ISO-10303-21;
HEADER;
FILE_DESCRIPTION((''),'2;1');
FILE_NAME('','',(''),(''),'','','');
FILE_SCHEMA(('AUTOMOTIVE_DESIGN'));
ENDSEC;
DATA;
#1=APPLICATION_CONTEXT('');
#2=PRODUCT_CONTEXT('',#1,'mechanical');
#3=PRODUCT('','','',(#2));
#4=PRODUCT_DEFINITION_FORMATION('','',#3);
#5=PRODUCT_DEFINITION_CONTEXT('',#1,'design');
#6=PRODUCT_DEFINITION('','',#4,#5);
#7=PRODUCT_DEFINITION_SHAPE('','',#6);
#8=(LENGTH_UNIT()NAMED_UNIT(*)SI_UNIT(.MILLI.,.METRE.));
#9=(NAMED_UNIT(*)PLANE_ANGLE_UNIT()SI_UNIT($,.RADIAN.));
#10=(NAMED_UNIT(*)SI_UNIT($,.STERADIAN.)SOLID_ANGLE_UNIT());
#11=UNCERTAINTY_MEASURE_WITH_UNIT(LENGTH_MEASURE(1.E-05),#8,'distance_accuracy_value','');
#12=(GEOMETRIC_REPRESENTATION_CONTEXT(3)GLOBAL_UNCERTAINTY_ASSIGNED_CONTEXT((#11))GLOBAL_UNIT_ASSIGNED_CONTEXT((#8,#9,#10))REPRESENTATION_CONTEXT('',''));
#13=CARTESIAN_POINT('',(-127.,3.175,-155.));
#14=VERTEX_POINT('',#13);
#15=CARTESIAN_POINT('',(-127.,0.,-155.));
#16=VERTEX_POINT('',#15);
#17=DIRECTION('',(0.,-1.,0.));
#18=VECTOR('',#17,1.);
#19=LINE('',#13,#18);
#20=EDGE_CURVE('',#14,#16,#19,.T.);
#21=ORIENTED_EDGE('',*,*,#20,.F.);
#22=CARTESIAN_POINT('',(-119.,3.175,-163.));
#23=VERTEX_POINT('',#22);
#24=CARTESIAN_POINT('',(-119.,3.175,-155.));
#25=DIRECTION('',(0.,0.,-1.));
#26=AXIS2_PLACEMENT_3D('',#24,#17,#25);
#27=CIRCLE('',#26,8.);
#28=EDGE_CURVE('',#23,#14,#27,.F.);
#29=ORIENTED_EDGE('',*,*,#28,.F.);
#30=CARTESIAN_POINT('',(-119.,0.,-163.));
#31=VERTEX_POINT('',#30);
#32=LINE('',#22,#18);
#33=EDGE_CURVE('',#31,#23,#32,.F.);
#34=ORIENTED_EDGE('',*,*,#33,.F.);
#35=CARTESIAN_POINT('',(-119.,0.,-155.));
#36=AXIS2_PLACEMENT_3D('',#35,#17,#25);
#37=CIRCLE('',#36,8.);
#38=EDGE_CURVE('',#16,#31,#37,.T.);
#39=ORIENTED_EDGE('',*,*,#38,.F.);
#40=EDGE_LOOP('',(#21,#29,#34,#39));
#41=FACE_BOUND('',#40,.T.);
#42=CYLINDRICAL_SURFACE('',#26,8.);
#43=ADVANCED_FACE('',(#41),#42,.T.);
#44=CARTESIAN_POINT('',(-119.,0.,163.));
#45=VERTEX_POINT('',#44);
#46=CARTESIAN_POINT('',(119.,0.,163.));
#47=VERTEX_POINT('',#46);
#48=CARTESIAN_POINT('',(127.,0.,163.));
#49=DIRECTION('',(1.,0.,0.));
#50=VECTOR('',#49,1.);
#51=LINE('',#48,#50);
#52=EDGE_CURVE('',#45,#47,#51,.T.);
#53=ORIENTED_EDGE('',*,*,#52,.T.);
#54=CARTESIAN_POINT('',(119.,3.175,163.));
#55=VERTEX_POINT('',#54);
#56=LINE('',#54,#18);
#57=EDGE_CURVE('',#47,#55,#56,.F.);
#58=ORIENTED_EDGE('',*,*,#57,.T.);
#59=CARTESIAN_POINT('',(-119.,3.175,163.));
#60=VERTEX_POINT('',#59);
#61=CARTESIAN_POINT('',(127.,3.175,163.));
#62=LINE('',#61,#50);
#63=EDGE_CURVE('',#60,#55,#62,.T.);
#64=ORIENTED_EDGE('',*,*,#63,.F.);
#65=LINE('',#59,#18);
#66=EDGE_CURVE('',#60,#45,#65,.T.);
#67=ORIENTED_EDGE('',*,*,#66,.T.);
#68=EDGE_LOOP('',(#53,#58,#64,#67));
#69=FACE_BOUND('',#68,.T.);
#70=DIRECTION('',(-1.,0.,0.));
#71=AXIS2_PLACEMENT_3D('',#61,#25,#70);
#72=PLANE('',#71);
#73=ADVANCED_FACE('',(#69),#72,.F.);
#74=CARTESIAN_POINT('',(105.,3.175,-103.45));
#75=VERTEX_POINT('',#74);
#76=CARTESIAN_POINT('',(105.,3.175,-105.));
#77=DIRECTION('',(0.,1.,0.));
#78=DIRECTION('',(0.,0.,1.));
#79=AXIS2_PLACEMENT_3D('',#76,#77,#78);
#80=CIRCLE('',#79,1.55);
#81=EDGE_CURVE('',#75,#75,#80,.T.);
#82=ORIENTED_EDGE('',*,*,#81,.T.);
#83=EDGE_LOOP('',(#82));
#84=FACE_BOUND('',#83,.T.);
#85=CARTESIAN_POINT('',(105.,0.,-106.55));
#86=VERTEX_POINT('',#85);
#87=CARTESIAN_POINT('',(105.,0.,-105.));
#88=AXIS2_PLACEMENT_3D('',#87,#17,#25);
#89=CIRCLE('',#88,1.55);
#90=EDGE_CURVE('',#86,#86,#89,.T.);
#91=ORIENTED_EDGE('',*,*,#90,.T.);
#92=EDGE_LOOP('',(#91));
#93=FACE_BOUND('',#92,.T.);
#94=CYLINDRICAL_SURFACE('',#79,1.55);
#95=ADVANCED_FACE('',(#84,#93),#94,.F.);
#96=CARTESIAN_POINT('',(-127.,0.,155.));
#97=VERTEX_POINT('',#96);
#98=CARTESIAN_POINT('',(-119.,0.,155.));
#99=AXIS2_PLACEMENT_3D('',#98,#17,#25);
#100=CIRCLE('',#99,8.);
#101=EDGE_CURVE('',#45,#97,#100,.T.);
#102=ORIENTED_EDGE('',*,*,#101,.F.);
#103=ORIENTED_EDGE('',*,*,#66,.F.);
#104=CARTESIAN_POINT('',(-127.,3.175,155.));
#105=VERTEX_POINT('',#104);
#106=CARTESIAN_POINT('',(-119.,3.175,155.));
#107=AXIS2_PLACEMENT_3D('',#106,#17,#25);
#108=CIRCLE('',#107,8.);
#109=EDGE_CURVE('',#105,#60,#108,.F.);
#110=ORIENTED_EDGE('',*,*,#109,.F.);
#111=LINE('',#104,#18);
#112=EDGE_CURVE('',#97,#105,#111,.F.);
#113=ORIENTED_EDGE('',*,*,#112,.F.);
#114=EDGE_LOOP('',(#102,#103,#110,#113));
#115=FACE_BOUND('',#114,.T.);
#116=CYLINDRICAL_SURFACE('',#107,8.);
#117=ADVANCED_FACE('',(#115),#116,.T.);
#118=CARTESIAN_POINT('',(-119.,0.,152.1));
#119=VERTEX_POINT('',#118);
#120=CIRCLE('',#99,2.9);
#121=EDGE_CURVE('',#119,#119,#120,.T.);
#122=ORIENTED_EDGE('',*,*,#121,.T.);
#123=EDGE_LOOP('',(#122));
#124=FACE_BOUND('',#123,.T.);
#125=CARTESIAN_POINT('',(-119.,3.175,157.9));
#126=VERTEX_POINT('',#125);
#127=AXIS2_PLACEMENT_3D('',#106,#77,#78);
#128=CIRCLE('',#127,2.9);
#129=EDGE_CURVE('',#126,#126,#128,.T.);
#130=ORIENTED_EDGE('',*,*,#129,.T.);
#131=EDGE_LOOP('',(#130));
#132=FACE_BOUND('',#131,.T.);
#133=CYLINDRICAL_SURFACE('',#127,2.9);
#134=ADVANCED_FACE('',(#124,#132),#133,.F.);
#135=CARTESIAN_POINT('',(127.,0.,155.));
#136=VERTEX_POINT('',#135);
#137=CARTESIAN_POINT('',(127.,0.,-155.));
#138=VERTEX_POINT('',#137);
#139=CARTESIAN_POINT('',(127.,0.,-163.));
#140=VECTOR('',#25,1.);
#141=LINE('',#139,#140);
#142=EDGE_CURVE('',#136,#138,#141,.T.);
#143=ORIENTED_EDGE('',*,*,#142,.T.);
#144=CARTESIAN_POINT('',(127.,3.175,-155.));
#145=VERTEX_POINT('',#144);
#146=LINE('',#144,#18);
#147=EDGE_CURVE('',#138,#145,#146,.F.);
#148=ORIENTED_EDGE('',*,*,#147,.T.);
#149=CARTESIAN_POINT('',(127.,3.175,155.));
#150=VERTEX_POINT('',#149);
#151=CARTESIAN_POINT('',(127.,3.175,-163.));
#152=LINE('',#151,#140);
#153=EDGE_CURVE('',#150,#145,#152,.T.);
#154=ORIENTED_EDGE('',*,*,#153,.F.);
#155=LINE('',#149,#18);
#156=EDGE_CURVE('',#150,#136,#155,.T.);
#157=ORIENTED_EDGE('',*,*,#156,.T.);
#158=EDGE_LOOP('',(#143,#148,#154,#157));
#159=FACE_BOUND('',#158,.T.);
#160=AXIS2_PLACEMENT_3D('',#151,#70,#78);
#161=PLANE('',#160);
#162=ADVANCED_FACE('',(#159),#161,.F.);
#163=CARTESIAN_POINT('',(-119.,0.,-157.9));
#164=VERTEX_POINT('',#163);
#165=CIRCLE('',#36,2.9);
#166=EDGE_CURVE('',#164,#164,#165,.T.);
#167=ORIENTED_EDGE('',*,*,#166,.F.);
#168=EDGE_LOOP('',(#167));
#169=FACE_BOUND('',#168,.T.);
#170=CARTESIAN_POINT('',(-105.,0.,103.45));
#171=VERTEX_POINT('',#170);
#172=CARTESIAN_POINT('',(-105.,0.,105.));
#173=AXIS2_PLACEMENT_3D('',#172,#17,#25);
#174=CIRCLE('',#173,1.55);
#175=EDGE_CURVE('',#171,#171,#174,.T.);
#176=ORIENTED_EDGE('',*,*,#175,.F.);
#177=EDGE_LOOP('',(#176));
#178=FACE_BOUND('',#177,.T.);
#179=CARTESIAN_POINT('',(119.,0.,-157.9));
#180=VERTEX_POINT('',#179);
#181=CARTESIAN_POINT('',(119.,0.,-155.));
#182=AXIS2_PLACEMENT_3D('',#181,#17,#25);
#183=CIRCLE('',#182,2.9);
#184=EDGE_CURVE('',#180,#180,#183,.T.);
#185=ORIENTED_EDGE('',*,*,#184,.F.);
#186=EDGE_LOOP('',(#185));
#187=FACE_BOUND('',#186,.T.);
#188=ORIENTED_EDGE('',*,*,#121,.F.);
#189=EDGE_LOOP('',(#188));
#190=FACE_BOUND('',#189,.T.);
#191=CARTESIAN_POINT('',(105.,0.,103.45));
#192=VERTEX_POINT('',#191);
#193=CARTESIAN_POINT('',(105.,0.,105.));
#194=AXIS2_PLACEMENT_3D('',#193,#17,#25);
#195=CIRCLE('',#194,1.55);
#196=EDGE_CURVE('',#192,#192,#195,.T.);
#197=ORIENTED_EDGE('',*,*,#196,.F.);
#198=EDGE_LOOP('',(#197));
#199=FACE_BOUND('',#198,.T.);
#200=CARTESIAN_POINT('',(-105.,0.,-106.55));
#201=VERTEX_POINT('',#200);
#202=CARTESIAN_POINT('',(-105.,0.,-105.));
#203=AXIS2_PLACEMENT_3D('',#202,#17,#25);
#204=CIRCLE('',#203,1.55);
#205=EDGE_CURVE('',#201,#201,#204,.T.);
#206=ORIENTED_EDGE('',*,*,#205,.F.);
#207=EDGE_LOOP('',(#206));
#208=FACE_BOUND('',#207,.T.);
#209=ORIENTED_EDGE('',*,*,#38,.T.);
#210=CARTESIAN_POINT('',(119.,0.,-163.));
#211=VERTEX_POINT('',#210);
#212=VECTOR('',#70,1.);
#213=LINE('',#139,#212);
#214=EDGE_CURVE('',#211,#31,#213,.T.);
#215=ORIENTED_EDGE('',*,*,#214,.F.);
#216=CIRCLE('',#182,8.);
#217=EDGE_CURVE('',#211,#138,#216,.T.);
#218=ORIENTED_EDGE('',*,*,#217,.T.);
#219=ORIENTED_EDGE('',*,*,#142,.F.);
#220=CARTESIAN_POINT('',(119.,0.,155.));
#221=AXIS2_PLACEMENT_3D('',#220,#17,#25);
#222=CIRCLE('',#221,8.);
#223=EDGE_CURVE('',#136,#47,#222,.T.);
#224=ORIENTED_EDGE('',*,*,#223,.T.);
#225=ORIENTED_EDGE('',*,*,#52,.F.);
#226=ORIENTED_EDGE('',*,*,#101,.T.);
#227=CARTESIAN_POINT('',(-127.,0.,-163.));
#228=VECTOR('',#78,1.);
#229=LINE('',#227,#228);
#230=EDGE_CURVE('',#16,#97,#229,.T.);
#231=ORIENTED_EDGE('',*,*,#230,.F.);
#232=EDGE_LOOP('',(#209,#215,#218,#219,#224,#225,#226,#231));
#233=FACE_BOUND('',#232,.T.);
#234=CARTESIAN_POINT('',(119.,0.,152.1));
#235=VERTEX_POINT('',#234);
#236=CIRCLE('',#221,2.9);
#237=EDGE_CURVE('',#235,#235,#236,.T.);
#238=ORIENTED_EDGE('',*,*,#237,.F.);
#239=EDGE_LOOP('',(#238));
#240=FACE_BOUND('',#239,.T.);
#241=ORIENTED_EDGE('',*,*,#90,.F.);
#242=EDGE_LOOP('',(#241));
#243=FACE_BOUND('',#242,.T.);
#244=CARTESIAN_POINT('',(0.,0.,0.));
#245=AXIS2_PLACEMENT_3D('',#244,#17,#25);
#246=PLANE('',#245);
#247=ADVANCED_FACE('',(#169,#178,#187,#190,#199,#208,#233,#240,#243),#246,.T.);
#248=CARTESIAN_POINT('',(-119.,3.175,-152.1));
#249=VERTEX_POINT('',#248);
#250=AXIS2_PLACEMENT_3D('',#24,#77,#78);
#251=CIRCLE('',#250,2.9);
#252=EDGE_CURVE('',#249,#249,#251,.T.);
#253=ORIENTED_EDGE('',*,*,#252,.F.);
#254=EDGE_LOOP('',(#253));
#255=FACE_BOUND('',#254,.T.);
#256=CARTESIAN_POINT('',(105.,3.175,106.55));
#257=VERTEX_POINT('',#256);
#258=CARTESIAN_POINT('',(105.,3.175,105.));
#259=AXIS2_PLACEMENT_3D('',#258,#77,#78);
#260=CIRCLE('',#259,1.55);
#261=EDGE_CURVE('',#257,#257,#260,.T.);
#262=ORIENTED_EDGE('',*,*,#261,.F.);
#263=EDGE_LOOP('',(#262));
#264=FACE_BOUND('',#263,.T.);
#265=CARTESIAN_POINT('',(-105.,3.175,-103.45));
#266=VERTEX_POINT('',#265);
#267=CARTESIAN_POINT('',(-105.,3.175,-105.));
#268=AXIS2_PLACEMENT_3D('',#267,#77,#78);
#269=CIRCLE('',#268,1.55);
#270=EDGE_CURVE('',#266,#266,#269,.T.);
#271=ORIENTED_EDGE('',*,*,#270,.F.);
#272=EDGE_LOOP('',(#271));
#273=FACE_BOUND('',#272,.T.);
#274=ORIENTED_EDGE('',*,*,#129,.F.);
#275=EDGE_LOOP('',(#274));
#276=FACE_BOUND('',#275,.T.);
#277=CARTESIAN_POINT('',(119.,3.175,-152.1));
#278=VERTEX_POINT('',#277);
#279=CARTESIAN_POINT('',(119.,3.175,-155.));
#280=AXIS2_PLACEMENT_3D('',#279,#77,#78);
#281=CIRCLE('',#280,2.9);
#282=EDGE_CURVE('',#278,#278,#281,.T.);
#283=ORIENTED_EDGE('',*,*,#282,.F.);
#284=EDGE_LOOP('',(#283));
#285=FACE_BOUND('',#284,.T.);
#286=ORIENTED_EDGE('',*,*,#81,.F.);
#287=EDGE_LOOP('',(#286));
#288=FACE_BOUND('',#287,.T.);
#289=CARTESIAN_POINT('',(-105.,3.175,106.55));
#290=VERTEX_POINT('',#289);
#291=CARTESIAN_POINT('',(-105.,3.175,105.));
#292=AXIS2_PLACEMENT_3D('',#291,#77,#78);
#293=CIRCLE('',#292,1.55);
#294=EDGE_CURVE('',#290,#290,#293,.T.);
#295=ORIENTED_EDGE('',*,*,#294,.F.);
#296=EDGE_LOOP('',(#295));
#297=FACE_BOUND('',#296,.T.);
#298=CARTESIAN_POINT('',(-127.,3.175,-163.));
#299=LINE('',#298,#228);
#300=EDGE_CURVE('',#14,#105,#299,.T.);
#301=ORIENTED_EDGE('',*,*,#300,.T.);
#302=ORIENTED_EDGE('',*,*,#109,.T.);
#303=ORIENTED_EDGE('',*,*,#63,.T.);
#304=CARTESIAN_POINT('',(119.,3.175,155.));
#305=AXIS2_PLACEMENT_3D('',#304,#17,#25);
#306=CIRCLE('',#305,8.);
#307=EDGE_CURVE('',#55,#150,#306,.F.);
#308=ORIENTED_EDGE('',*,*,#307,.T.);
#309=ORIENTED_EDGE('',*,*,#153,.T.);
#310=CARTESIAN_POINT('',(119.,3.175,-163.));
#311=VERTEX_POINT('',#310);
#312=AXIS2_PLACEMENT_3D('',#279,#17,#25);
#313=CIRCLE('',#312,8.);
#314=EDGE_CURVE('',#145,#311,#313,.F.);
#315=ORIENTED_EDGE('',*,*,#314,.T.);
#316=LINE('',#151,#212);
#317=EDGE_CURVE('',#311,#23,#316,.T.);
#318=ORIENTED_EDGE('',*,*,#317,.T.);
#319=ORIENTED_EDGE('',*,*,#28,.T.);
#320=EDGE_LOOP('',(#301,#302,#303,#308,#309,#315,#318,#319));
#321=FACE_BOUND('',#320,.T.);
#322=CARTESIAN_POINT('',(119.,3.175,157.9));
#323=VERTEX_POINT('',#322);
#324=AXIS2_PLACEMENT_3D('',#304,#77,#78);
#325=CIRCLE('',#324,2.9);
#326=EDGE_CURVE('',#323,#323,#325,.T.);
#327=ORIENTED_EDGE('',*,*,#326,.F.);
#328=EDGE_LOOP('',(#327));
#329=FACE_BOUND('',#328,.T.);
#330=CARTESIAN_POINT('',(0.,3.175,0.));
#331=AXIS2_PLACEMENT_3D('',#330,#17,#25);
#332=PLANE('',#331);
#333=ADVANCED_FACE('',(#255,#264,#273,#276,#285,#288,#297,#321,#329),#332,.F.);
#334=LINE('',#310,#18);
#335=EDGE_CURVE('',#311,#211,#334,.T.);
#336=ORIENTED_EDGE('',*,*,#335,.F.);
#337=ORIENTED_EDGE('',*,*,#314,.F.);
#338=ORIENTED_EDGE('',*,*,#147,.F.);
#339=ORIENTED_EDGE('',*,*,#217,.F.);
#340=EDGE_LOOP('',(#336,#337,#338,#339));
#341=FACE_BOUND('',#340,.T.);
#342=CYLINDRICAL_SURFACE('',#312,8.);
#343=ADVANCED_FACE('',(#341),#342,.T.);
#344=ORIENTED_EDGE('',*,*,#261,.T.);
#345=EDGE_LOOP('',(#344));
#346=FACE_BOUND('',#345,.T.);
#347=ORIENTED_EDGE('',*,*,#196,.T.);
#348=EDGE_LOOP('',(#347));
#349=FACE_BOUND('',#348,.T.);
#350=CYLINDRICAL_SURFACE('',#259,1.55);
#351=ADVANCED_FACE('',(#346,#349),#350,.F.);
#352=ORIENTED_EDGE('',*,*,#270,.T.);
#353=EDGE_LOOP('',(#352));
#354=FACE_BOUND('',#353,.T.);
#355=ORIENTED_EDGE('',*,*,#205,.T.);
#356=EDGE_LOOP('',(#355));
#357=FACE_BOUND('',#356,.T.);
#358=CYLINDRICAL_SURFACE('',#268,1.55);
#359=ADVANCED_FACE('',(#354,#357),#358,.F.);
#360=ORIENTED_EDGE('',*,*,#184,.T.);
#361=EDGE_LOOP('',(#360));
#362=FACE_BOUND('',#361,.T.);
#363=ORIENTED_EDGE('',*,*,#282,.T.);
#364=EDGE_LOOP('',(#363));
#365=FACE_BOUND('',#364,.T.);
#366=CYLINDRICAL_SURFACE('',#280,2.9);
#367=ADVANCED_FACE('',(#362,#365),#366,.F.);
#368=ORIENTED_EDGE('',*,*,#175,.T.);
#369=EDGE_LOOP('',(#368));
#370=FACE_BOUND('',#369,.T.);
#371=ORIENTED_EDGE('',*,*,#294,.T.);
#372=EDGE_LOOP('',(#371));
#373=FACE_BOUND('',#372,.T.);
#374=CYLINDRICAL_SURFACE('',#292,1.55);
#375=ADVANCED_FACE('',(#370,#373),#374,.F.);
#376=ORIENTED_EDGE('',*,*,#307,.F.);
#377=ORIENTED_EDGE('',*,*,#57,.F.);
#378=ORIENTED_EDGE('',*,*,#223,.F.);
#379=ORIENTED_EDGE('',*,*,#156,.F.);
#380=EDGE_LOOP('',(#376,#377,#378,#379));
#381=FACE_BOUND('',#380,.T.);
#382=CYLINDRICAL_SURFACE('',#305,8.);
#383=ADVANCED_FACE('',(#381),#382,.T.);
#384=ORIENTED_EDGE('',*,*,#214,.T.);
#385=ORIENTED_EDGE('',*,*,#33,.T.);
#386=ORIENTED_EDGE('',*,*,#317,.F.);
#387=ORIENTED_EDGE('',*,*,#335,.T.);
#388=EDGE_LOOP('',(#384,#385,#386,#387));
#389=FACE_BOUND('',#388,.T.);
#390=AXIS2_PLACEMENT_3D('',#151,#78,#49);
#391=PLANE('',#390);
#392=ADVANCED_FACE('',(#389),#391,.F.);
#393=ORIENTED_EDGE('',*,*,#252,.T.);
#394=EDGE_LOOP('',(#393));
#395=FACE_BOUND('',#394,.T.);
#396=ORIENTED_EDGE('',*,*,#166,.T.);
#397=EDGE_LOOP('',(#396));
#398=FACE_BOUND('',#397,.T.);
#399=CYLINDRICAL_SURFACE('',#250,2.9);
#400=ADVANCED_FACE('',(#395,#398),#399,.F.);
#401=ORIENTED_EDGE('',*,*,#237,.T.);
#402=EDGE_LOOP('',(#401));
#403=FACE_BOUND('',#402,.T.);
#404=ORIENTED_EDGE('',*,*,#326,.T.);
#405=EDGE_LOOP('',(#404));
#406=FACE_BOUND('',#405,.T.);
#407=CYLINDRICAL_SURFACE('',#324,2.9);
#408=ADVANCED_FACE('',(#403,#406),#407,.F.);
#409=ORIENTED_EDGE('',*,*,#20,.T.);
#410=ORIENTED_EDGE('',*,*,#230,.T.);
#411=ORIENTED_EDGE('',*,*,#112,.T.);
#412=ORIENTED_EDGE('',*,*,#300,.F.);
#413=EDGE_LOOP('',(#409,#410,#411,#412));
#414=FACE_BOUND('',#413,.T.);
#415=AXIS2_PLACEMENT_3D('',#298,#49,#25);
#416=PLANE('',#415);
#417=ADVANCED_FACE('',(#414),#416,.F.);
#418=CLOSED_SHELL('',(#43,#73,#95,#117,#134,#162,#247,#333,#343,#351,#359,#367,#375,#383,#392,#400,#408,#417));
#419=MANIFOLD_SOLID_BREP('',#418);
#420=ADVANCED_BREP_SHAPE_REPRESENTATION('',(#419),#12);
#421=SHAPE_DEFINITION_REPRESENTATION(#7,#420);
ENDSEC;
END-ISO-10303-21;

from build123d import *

# Parameters (mm, degrees)
SKETCH1_W                  = 254
SKETCH1_H                  = 326
BOSS_EXTRUDE1_DEPTH        = 3.175
M2_5_CLEARANCE_HOLE1_D     = 3.1
M2_5_CLEARANCE_HOLE1_DEPTH = 11.938
M2_5_CLEARANCE_HOLE1_TIP   = 0.931333959
M5_CLEARANCE_HOLE1_D       = 5.8
M5_CLEARANCE_HOLE1_DEPTH   = 11.938
M5_CLEARANCE_HOLE1_TIP     = 1.742495795
FILLET1_R                  = 8


with BuildPart() as part:
    # Sketch1 → Boss-Extrude1 (new body)
    with BuildSketch(Plane(origin=(0, 0, 0), x_dir=(1, 0, 0), z_dir=(0, 1, 0))):
        Rectangle(SKETCH1_W, SKETCH1_H)
    extrude(amount=BOSS_EXTRUDE1_DEPTH)

    # M2.5 Clearance Hole1
    with Locations(Plane(origin=(-105, 3.175, 105), x_dir=(0, 0, 1), z_dir=(0, 1, 0))):
        with Locations((0, 0), (-210, 0), (-210, 210), (0, 210)):
            Hole(M2_5_CLEARANCE_HOLE1_D / 2, depth=M2_5_CLEARANCE_HOLE1_DEPTH)
            with Locations((0, 0, -(M2_5_CLEARANCE_HOLE1_DEPTH + M2_5_CLEARANCE_HOLE1_TIP / 2))):  # 118° drill point
                Cone(0, M2_5_CLEARANCE_HOLE1_D / 2, M2_5_CLEARANCE_HOLE1_TIP, mode=Mode.SUBTRACT)

    # M5 Clearance Hole1
    with Locations(Plane(origin=(0, 3.175, 0), x_dir=(1, 0, 0), z_dir=(0, 1, 0))):
        with Locations((-119, 155), (119, 155), (119, -155), (-119, -155)):
            Hole(M5_CLEARANCE_HOLE1_D / 2, depth=M5_CLEARANCE_HOLE1_DEPTH)
            with Locations((0, 0, -(M5_CLEARANCE_HOLE1_DEPTH + M5_CLEARANCE_HOLE1_TIP / 2))):  # 118° drill point
                Cone(0, M5_CLEARANCE_HOLE1_D / 2, M5_CLEARANCE_HOLE1_TIP, mode=Mode.SUBTRACT)

    # Fillet1
    fillet1_edges = [part.edges().sort_by_distance(p)[0] for p in [
        (-127, 1.5875, -163),
        (127, 1.5875, -163),
        (127, 1.5875, 163),
        (-127, 1.5875, 163),
    ]]
    fillet(fillet1_edges, radius=FILLET1_R)


solid = part.part
